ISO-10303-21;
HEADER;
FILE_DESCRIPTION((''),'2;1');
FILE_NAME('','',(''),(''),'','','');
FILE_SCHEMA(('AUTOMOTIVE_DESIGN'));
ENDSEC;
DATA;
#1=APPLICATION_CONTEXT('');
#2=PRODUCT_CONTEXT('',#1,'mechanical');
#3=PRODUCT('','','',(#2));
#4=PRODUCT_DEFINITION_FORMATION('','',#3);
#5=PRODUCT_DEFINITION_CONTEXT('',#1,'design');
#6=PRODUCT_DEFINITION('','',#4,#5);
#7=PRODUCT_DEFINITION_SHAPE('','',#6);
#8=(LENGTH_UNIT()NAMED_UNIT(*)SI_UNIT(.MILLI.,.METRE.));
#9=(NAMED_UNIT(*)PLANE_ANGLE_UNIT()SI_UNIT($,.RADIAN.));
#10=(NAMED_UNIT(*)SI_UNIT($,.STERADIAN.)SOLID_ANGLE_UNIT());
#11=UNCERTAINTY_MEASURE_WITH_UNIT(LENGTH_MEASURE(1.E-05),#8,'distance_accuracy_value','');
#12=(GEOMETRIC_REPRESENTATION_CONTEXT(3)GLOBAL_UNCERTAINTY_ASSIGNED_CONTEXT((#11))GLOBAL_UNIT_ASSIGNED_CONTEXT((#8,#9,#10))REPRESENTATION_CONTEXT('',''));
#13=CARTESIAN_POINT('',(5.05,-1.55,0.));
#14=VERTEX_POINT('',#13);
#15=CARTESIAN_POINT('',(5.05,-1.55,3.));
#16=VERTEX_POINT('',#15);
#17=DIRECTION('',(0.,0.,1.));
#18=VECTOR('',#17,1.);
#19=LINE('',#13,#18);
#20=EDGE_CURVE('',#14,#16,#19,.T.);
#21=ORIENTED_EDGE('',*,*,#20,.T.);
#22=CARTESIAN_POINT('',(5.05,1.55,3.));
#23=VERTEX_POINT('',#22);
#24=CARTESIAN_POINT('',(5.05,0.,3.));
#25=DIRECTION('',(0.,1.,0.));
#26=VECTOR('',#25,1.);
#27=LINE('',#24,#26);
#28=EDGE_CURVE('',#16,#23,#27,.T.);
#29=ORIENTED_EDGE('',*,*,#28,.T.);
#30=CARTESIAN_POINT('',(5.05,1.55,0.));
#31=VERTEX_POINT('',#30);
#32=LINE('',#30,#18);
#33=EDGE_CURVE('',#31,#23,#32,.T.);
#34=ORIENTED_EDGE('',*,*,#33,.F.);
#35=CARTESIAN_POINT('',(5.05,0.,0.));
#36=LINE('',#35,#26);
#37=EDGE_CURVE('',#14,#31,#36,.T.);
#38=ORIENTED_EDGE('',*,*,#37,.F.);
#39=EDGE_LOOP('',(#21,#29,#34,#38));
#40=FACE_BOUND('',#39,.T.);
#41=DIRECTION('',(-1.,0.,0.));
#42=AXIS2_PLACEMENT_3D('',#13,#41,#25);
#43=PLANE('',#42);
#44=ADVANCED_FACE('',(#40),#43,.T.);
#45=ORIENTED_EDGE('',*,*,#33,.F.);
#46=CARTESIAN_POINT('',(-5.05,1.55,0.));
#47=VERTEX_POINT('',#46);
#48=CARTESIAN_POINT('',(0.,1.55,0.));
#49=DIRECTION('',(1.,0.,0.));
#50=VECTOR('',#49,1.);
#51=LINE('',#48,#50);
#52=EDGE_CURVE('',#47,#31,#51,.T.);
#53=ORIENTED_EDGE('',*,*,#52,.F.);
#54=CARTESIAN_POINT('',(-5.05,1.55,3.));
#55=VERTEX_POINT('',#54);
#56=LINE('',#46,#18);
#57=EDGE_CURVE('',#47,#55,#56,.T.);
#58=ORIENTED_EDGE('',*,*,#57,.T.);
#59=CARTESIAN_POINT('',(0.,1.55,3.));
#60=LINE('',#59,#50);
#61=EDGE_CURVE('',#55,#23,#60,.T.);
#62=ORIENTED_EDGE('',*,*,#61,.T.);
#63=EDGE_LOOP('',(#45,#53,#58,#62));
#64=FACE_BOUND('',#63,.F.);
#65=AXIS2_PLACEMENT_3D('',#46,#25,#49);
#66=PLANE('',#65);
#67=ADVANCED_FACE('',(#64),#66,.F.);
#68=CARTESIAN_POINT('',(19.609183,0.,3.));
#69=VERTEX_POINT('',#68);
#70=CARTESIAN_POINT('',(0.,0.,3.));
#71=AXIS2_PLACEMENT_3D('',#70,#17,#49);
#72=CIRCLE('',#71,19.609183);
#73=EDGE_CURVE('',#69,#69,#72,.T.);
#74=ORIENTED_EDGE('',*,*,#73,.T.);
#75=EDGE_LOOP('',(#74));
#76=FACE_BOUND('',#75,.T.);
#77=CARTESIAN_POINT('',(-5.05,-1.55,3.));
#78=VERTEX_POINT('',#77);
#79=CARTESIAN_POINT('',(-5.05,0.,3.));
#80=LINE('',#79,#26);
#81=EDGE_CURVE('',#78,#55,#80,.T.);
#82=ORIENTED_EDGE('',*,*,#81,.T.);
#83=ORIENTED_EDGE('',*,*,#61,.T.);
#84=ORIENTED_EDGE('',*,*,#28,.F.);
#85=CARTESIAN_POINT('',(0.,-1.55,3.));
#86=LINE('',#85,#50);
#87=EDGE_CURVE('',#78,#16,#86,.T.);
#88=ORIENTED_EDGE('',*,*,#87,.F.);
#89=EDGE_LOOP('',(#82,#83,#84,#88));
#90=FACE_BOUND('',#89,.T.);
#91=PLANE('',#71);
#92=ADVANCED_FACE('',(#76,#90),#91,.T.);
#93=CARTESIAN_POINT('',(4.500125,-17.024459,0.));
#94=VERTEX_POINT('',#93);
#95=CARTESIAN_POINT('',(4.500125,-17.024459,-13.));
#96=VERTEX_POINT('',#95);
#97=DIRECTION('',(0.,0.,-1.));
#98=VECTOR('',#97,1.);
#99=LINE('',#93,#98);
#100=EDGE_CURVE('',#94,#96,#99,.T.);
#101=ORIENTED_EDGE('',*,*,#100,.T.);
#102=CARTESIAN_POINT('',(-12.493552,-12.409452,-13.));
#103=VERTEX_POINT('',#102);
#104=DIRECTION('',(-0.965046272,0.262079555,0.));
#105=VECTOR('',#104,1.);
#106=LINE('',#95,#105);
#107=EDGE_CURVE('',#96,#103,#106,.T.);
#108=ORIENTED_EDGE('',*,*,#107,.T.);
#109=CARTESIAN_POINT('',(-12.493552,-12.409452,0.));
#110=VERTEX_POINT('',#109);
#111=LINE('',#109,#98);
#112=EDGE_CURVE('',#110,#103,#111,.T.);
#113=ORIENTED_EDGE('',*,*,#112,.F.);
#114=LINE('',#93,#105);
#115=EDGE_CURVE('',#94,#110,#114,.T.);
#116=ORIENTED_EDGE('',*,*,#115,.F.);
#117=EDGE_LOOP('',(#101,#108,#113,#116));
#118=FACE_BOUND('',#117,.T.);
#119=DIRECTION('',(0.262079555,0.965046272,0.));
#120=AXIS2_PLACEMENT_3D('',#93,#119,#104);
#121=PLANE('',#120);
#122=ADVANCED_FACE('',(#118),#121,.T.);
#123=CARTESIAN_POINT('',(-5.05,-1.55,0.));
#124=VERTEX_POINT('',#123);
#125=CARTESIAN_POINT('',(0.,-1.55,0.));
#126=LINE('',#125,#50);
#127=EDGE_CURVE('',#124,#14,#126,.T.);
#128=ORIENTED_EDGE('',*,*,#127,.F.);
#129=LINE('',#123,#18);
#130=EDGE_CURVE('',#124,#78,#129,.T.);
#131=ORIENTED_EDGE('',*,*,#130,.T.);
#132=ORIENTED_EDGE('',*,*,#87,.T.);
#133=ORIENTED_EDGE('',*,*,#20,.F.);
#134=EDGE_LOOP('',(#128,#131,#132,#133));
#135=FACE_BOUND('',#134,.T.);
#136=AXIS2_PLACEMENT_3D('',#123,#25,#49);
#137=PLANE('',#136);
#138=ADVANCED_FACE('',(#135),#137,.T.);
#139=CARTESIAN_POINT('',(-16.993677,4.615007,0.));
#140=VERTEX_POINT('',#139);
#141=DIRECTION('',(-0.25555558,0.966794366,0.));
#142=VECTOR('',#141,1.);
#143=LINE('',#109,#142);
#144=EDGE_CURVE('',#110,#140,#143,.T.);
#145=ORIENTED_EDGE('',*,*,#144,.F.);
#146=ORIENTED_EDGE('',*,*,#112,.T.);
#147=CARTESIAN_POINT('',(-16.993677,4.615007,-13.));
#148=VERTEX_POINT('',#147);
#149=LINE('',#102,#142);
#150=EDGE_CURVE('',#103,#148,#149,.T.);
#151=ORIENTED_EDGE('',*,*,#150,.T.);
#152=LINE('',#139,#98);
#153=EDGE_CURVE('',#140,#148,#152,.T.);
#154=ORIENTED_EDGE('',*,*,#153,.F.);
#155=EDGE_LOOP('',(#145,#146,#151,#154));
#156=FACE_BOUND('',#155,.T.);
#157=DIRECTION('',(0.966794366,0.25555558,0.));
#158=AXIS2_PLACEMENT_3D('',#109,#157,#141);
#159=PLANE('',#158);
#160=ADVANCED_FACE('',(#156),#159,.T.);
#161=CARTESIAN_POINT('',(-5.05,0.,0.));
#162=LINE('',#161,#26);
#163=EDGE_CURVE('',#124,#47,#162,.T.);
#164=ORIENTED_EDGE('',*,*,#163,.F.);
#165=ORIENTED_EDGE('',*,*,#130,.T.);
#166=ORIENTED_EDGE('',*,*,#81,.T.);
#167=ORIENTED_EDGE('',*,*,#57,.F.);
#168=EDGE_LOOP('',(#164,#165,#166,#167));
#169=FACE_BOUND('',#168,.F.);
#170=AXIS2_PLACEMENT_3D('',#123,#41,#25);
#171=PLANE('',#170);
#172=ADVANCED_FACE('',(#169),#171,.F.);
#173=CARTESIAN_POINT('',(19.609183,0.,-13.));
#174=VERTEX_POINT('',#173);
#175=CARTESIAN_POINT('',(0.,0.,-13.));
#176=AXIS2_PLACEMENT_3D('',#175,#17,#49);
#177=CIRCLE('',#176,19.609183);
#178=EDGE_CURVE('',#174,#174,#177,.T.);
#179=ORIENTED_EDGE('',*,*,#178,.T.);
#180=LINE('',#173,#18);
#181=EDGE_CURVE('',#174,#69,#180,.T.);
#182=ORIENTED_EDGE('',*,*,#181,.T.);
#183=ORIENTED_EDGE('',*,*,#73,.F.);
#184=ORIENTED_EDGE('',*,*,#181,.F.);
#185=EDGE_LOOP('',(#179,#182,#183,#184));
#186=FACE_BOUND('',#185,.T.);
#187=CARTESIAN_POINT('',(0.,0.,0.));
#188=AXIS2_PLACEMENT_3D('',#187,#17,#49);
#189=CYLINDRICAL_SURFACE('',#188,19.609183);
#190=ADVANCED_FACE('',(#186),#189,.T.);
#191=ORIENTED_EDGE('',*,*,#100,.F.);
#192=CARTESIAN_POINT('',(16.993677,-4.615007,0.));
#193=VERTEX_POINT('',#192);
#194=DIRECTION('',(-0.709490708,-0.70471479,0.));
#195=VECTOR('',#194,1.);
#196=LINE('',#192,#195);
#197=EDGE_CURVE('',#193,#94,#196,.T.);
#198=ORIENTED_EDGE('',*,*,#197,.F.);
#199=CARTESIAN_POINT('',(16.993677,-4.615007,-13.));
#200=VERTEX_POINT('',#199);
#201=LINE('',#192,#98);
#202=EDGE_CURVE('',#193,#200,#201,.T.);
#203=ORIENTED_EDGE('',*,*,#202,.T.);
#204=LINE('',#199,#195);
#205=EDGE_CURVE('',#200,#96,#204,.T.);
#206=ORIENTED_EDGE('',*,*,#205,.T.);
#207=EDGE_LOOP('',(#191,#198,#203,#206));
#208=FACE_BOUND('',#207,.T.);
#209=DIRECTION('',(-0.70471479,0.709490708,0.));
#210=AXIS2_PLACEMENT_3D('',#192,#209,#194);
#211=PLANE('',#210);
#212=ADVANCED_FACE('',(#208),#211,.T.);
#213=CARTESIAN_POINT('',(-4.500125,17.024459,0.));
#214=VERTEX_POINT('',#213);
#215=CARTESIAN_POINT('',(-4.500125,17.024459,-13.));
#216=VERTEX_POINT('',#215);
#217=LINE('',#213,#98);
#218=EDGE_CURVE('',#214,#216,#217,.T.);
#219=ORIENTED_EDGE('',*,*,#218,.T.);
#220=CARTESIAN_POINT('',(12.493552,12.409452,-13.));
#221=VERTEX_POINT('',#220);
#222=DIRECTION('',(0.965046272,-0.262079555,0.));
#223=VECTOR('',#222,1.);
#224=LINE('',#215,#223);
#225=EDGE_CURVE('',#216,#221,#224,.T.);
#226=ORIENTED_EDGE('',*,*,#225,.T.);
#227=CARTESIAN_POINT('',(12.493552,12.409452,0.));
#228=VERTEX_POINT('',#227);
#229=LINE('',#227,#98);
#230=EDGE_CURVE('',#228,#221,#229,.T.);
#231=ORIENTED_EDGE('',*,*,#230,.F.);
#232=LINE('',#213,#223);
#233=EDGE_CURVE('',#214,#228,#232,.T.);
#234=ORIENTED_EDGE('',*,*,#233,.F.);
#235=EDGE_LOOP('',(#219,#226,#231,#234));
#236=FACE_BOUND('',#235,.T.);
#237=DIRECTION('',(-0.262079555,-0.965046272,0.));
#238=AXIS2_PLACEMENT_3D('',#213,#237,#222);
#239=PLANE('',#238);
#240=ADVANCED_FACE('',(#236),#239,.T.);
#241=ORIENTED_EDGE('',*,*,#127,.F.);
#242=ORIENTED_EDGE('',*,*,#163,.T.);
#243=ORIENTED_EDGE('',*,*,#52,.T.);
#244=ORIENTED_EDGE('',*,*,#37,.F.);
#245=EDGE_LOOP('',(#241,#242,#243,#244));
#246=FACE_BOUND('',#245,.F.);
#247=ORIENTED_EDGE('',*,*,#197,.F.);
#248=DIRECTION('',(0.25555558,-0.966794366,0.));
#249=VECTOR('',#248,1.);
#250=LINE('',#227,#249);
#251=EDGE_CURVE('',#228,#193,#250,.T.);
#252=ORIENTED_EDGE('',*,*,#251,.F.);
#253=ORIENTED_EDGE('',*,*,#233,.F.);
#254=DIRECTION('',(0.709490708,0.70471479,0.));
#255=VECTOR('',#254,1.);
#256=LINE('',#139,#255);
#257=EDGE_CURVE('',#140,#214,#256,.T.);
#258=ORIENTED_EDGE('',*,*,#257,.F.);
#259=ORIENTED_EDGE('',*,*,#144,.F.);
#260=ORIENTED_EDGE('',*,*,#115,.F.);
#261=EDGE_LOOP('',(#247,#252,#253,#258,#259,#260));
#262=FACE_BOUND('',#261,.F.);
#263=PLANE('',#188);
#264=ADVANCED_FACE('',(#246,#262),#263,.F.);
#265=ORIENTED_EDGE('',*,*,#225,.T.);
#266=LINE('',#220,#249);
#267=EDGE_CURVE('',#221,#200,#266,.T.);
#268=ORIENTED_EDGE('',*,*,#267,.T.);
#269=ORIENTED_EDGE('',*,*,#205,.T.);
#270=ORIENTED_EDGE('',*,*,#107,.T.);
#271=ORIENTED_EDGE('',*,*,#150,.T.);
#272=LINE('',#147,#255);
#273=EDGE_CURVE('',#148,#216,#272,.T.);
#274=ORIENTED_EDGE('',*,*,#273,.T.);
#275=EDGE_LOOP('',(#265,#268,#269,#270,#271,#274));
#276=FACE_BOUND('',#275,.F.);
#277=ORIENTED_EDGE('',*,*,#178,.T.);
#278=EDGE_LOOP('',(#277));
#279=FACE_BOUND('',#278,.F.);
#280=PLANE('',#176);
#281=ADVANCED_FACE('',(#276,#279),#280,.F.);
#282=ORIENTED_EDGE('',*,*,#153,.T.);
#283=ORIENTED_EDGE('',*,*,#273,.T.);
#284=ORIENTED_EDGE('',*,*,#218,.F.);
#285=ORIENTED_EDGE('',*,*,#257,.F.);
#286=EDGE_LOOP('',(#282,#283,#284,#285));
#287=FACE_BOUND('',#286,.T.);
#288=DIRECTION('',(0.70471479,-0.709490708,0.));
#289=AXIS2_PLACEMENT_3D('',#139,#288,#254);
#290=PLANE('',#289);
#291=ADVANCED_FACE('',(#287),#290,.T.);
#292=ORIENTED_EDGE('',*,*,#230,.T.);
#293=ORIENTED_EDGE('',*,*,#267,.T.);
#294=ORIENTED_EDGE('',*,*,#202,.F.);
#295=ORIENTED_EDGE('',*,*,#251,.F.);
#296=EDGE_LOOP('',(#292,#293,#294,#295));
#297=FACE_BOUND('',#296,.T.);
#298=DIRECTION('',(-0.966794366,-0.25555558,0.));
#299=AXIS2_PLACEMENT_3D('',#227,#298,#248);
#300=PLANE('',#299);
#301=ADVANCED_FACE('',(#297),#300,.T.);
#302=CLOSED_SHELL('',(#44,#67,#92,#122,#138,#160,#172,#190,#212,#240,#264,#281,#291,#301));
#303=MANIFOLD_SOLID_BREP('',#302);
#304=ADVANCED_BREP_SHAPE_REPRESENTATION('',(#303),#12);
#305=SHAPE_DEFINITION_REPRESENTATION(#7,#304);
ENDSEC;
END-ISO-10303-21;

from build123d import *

# Parameters (mm, degrees)
F0_R     = 19.609183
F0_W     = 10.1
F0_H     = 3.1
F1_DEPTH = 3
F2_DEPTH = 13


with BuildPart() as f1:
    # F0 (on Top) → F1 (new body)
    with BuildSketch(Plane.XY):
        Circle(F0_R)
        Polygon((-12.493552, -12.409452), (-16.993677, 4.615007), (-4.500125, 17.024459), (12.493552, 12.409452), (16.993677, -4.615007), (4.500125, -17.024459), align=None, mode=Mode.SUBTRACT)
        Polygon((-4.500125, 17.024459), (-16.993677, 4.615007), (-12.493552, -12.409452), (4.500125, -17.024459), (16.993677, -4.615007), (12.493552, 12.409452), align=None)
        Rectangle(F0_W, F0_H, mode=Mode.SUBTRACT)
    extrude(amount=F1_DEPTH)

    # F0 (on Top) → F2 (join)
    with BuildSketch(Plane.XY):
        Circle(F0_R)
        Polygon((-12.493552, -12.409452), (-16.993677, 4.615007), (-4.500125, 17.024459), (12.493552, 12.409452), (16.993677, -4.615007), (4.500125, -17.024459), align=None, mode=Mode.SUBTRACT)
    extrude(amount=-F2_DEPTH)


solid = f1.part
